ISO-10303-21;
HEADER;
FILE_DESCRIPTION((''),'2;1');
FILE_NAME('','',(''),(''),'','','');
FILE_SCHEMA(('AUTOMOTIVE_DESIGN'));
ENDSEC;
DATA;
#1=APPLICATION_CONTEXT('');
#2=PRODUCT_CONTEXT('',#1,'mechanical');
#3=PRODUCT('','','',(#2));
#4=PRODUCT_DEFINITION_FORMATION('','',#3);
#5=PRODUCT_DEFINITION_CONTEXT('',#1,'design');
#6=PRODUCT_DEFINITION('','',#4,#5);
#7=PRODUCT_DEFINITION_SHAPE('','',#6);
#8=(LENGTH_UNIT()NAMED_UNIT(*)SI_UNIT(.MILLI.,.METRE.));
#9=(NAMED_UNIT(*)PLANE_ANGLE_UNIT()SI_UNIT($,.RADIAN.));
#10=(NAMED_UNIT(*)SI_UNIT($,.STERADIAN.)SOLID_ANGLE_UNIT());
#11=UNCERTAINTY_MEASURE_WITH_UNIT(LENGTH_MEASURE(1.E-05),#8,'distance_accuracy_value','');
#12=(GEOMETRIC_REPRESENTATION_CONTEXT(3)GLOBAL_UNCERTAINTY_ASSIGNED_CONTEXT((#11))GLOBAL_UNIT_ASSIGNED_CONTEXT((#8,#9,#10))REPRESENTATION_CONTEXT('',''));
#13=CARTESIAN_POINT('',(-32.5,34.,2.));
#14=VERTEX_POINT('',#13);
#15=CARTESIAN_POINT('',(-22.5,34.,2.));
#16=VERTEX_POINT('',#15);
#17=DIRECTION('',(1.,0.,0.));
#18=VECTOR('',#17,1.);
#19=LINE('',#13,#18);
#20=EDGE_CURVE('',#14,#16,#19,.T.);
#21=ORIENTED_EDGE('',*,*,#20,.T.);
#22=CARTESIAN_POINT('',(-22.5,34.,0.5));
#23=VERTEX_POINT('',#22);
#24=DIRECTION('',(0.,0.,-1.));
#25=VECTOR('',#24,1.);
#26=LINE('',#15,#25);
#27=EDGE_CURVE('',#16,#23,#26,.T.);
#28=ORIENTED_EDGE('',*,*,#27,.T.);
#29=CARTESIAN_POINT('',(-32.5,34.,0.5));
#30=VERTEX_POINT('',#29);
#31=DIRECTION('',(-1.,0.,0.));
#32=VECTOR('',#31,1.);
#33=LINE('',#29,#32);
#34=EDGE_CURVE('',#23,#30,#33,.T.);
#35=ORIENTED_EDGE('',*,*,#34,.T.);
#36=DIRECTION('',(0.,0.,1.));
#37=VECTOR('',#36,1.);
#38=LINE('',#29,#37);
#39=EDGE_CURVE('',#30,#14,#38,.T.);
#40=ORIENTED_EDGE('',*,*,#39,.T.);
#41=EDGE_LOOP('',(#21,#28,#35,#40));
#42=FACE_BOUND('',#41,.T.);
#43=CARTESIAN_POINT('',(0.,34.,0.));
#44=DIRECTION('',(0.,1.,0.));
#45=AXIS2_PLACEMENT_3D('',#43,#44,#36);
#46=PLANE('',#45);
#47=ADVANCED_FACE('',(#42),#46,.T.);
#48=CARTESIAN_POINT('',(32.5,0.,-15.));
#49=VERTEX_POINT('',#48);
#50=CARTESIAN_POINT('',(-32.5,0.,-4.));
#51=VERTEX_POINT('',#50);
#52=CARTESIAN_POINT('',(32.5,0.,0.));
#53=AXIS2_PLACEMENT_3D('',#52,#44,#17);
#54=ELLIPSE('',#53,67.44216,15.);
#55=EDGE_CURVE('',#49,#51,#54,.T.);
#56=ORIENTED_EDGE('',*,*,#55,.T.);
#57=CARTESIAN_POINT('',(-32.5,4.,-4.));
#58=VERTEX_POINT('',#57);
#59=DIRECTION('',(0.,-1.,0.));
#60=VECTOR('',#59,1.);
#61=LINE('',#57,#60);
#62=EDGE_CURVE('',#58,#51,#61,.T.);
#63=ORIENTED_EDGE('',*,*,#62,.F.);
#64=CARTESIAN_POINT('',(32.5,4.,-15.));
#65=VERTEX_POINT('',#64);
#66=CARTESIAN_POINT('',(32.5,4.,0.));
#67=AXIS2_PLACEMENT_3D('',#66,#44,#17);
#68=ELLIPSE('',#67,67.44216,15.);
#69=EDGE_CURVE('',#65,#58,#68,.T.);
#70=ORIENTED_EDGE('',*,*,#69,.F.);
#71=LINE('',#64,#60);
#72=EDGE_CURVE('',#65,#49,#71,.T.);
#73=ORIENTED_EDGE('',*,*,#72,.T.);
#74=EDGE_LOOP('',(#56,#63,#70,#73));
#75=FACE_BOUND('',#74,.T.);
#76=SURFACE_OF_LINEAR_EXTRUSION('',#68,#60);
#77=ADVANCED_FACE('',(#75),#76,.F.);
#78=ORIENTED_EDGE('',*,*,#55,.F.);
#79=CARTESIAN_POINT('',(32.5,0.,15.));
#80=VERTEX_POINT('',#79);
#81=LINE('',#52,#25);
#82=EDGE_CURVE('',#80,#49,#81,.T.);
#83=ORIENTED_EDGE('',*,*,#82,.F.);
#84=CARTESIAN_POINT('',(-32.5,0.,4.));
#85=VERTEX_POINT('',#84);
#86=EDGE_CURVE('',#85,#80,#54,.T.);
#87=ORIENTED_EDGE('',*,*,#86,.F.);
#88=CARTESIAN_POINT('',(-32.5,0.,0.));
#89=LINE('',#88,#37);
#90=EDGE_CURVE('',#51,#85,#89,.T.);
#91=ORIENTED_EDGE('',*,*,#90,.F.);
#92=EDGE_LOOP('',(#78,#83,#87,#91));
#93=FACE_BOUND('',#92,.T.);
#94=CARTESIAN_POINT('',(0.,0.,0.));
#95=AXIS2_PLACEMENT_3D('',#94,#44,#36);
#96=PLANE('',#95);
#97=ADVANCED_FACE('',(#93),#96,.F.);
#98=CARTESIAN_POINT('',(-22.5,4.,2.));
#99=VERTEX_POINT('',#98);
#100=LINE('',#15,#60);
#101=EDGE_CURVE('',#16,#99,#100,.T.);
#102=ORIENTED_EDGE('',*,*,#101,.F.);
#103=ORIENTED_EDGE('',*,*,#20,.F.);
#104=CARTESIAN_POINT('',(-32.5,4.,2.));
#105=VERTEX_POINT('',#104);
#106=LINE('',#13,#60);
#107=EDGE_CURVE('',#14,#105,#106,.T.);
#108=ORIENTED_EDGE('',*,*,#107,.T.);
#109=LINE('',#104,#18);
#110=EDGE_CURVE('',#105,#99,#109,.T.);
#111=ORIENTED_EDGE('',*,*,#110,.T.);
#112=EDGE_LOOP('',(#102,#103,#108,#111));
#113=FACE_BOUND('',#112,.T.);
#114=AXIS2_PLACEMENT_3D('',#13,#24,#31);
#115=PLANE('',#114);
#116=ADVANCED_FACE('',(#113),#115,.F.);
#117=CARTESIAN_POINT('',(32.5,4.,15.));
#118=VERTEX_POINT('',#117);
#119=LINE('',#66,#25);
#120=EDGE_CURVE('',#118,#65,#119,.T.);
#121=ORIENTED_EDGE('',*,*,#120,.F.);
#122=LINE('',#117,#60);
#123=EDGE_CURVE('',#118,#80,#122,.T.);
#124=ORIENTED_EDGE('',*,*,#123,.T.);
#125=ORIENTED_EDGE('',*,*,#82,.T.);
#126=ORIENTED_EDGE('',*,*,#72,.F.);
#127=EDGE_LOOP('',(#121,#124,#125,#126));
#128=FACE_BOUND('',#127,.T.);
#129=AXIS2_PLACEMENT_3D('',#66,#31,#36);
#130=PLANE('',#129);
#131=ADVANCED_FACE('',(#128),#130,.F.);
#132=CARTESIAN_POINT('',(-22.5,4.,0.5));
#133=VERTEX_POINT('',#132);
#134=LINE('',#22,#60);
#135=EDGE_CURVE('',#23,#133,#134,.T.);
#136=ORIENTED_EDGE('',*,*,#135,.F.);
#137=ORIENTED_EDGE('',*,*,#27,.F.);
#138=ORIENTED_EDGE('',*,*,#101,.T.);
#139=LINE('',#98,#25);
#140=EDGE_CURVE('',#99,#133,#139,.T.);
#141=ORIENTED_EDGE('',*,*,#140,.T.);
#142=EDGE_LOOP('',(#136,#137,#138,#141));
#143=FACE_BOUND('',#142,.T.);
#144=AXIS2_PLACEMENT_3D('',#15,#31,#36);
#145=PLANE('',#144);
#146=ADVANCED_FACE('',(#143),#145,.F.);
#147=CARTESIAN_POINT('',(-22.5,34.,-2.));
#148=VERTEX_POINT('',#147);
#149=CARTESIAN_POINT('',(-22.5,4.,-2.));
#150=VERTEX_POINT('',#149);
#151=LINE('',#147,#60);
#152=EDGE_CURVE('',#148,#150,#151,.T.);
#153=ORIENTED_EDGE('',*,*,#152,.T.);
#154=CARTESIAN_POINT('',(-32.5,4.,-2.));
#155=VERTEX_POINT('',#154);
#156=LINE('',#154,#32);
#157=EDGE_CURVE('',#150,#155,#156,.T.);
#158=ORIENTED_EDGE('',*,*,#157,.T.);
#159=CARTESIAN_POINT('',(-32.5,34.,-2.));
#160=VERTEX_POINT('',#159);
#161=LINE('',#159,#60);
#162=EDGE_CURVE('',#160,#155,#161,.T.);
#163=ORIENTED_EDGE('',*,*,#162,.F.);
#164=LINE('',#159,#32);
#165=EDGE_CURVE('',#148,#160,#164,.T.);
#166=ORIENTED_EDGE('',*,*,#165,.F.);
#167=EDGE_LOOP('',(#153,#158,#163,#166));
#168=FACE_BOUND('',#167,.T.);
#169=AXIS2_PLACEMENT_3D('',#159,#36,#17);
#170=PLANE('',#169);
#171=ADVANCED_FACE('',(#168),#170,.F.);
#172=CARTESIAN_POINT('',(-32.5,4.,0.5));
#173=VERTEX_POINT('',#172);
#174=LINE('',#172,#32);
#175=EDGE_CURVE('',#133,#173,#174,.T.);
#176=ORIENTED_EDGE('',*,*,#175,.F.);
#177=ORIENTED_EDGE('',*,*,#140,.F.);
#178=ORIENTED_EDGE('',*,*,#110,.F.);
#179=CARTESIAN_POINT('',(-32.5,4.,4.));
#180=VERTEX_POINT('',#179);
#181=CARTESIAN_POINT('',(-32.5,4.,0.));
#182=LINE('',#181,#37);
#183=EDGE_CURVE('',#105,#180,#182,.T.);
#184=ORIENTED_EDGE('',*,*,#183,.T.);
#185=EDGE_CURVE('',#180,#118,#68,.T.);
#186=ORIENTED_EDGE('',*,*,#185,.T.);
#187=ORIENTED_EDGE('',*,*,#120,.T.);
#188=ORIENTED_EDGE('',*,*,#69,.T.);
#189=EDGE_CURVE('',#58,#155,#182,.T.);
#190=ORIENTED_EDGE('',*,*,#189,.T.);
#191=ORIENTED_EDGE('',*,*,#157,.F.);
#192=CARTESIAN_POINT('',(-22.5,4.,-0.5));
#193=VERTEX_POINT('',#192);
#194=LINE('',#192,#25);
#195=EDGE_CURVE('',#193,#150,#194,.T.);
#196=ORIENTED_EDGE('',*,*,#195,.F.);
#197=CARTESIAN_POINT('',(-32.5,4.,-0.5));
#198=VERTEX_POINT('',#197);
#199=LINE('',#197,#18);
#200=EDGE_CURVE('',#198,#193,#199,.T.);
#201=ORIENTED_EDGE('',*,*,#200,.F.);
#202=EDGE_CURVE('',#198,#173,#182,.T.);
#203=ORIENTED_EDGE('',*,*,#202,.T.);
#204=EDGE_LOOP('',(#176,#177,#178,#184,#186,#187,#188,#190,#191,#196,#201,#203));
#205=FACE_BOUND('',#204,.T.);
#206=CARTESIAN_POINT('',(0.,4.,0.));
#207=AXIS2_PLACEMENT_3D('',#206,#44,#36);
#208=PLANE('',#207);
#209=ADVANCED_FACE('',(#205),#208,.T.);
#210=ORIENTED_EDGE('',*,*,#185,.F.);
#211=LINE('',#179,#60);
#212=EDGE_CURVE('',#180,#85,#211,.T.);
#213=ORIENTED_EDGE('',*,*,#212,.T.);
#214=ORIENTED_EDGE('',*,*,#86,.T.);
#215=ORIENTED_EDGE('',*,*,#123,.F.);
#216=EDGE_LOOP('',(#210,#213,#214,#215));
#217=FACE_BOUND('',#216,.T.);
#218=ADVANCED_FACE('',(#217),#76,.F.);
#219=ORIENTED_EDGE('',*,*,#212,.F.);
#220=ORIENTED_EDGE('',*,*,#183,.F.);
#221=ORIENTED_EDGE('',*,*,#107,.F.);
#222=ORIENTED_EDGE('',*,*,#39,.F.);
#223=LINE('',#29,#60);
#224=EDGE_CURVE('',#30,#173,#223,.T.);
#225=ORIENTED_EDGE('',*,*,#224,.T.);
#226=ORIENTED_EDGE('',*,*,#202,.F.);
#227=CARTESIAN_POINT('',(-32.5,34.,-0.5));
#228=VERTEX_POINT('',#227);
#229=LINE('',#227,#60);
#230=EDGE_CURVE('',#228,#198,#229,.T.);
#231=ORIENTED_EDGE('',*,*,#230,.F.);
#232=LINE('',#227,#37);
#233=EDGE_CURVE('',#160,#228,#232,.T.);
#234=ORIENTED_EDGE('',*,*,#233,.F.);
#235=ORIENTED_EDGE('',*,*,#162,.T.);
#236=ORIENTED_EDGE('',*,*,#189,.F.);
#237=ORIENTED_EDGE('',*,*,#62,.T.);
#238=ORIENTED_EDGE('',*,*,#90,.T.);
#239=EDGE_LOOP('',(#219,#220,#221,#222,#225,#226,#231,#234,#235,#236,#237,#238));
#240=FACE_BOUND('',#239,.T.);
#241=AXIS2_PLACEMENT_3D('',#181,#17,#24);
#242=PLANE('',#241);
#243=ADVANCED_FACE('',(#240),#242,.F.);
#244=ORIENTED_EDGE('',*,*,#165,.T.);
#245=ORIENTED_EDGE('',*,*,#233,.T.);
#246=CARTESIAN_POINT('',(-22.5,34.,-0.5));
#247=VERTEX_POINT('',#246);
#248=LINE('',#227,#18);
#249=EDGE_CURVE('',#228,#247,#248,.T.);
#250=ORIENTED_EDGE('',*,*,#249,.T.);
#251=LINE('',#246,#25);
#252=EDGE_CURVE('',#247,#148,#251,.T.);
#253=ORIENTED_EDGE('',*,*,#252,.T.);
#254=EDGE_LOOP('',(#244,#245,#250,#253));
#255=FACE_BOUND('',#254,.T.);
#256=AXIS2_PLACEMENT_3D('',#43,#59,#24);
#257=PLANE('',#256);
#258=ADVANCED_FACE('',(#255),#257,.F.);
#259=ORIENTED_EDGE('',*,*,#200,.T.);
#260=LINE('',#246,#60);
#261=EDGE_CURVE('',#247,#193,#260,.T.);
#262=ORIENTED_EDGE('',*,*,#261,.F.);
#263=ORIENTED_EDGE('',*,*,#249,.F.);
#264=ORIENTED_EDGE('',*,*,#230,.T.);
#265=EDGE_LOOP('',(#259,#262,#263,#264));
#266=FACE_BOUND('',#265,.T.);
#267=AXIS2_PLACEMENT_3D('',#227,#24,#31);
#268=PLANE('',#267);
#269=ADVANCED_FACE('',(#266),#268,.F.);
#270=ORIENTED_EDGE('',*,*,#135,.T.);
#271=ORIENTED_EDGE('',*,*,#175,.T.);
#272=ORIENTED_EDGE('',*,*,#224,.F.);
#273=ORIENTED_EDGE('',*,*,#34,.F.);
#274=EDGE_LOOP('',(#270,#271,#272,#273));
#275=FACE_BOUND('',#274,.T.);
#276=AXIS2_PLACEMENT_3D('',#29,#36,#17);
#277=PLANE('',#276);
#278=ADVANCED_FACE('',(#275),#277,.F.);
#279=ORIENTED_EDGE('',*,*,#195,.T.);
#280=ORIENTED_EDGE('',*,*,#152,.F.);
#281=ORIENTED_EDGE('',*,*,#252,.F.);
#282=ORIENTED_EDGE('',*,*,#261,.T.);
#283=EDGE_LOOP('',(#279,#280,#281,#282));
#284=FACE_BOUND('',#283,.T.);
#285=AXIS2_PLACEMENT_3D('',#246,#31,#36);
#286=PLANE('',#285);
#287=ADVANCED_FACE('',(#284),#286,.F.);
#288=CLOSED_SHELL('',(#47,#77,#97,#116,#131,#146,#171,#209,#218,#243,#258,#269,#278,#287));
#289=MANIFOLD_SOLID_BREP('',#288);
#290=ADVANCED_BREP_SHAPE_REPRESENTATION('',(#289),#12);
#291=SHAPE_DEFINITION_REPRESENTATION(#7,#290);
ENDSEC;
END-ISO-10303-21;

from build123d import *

# Parameters (mm, degrees)
BOSS_EXTRUDE1_DEPTH = 4
SKETCH2_W           = 10
SKETCH2_H           = 1.5
BOSS_EXTRUDE3_DEPTH = 30


with BuildPart() as part:
    # Sketch1 → Boss-Extrude1 (new body)
    with BuildSketch(Plane(origin=(0, 0, 0), x_dir=(1, 0, 0), z_dir=(0, 1, 0))):
        with BuildLine():
            Line((32.5, -15), (32.5, 15))
            add(Edge.make_bspline(
                [(32.5, 15), (-18.815789474, 15), (-32.5, 4)],
                knots=[1.570796327, 1.570796327, 1.570796327, 2.871659858, 2.871659858, 2.871659858], degree=2, weights=[1, 0.795822426, 1]))
            Line((-32.5, 4), (-32.5, -4))
            add(Edge.make_bspline(
                [(-32.5, -4), (-18.815789474, -15), (32.5, -15)],
                knots=[3.411525449, 3.411525449, 3.411525449, 4.71238898, 4.71238898, 4.71238898], degree=2, weights=[1, 0.795822426, 1]))
        make_face()
    extrude(amount=BOSS_EXTRUDE1_DEPTH)

    # Sketch2 → Boss-Extrude3 (add)
    with BuildSketch(Plane(origin=(0, 4, 0), x_dir=(1, 0, 0), z_dir=(0, 1, 0))):
        with Locations((-27.5, -1.25)):
            Rectangle(SKETCH2_W, SKETCH2_H)
        with Locations((-27.5, 1.25)):
            Rectangle(SKETCH2_W, SKETCH2_H)
    extrude(amount=BOSS_EXTRUDE3_DEPTH)


solid = part.part
